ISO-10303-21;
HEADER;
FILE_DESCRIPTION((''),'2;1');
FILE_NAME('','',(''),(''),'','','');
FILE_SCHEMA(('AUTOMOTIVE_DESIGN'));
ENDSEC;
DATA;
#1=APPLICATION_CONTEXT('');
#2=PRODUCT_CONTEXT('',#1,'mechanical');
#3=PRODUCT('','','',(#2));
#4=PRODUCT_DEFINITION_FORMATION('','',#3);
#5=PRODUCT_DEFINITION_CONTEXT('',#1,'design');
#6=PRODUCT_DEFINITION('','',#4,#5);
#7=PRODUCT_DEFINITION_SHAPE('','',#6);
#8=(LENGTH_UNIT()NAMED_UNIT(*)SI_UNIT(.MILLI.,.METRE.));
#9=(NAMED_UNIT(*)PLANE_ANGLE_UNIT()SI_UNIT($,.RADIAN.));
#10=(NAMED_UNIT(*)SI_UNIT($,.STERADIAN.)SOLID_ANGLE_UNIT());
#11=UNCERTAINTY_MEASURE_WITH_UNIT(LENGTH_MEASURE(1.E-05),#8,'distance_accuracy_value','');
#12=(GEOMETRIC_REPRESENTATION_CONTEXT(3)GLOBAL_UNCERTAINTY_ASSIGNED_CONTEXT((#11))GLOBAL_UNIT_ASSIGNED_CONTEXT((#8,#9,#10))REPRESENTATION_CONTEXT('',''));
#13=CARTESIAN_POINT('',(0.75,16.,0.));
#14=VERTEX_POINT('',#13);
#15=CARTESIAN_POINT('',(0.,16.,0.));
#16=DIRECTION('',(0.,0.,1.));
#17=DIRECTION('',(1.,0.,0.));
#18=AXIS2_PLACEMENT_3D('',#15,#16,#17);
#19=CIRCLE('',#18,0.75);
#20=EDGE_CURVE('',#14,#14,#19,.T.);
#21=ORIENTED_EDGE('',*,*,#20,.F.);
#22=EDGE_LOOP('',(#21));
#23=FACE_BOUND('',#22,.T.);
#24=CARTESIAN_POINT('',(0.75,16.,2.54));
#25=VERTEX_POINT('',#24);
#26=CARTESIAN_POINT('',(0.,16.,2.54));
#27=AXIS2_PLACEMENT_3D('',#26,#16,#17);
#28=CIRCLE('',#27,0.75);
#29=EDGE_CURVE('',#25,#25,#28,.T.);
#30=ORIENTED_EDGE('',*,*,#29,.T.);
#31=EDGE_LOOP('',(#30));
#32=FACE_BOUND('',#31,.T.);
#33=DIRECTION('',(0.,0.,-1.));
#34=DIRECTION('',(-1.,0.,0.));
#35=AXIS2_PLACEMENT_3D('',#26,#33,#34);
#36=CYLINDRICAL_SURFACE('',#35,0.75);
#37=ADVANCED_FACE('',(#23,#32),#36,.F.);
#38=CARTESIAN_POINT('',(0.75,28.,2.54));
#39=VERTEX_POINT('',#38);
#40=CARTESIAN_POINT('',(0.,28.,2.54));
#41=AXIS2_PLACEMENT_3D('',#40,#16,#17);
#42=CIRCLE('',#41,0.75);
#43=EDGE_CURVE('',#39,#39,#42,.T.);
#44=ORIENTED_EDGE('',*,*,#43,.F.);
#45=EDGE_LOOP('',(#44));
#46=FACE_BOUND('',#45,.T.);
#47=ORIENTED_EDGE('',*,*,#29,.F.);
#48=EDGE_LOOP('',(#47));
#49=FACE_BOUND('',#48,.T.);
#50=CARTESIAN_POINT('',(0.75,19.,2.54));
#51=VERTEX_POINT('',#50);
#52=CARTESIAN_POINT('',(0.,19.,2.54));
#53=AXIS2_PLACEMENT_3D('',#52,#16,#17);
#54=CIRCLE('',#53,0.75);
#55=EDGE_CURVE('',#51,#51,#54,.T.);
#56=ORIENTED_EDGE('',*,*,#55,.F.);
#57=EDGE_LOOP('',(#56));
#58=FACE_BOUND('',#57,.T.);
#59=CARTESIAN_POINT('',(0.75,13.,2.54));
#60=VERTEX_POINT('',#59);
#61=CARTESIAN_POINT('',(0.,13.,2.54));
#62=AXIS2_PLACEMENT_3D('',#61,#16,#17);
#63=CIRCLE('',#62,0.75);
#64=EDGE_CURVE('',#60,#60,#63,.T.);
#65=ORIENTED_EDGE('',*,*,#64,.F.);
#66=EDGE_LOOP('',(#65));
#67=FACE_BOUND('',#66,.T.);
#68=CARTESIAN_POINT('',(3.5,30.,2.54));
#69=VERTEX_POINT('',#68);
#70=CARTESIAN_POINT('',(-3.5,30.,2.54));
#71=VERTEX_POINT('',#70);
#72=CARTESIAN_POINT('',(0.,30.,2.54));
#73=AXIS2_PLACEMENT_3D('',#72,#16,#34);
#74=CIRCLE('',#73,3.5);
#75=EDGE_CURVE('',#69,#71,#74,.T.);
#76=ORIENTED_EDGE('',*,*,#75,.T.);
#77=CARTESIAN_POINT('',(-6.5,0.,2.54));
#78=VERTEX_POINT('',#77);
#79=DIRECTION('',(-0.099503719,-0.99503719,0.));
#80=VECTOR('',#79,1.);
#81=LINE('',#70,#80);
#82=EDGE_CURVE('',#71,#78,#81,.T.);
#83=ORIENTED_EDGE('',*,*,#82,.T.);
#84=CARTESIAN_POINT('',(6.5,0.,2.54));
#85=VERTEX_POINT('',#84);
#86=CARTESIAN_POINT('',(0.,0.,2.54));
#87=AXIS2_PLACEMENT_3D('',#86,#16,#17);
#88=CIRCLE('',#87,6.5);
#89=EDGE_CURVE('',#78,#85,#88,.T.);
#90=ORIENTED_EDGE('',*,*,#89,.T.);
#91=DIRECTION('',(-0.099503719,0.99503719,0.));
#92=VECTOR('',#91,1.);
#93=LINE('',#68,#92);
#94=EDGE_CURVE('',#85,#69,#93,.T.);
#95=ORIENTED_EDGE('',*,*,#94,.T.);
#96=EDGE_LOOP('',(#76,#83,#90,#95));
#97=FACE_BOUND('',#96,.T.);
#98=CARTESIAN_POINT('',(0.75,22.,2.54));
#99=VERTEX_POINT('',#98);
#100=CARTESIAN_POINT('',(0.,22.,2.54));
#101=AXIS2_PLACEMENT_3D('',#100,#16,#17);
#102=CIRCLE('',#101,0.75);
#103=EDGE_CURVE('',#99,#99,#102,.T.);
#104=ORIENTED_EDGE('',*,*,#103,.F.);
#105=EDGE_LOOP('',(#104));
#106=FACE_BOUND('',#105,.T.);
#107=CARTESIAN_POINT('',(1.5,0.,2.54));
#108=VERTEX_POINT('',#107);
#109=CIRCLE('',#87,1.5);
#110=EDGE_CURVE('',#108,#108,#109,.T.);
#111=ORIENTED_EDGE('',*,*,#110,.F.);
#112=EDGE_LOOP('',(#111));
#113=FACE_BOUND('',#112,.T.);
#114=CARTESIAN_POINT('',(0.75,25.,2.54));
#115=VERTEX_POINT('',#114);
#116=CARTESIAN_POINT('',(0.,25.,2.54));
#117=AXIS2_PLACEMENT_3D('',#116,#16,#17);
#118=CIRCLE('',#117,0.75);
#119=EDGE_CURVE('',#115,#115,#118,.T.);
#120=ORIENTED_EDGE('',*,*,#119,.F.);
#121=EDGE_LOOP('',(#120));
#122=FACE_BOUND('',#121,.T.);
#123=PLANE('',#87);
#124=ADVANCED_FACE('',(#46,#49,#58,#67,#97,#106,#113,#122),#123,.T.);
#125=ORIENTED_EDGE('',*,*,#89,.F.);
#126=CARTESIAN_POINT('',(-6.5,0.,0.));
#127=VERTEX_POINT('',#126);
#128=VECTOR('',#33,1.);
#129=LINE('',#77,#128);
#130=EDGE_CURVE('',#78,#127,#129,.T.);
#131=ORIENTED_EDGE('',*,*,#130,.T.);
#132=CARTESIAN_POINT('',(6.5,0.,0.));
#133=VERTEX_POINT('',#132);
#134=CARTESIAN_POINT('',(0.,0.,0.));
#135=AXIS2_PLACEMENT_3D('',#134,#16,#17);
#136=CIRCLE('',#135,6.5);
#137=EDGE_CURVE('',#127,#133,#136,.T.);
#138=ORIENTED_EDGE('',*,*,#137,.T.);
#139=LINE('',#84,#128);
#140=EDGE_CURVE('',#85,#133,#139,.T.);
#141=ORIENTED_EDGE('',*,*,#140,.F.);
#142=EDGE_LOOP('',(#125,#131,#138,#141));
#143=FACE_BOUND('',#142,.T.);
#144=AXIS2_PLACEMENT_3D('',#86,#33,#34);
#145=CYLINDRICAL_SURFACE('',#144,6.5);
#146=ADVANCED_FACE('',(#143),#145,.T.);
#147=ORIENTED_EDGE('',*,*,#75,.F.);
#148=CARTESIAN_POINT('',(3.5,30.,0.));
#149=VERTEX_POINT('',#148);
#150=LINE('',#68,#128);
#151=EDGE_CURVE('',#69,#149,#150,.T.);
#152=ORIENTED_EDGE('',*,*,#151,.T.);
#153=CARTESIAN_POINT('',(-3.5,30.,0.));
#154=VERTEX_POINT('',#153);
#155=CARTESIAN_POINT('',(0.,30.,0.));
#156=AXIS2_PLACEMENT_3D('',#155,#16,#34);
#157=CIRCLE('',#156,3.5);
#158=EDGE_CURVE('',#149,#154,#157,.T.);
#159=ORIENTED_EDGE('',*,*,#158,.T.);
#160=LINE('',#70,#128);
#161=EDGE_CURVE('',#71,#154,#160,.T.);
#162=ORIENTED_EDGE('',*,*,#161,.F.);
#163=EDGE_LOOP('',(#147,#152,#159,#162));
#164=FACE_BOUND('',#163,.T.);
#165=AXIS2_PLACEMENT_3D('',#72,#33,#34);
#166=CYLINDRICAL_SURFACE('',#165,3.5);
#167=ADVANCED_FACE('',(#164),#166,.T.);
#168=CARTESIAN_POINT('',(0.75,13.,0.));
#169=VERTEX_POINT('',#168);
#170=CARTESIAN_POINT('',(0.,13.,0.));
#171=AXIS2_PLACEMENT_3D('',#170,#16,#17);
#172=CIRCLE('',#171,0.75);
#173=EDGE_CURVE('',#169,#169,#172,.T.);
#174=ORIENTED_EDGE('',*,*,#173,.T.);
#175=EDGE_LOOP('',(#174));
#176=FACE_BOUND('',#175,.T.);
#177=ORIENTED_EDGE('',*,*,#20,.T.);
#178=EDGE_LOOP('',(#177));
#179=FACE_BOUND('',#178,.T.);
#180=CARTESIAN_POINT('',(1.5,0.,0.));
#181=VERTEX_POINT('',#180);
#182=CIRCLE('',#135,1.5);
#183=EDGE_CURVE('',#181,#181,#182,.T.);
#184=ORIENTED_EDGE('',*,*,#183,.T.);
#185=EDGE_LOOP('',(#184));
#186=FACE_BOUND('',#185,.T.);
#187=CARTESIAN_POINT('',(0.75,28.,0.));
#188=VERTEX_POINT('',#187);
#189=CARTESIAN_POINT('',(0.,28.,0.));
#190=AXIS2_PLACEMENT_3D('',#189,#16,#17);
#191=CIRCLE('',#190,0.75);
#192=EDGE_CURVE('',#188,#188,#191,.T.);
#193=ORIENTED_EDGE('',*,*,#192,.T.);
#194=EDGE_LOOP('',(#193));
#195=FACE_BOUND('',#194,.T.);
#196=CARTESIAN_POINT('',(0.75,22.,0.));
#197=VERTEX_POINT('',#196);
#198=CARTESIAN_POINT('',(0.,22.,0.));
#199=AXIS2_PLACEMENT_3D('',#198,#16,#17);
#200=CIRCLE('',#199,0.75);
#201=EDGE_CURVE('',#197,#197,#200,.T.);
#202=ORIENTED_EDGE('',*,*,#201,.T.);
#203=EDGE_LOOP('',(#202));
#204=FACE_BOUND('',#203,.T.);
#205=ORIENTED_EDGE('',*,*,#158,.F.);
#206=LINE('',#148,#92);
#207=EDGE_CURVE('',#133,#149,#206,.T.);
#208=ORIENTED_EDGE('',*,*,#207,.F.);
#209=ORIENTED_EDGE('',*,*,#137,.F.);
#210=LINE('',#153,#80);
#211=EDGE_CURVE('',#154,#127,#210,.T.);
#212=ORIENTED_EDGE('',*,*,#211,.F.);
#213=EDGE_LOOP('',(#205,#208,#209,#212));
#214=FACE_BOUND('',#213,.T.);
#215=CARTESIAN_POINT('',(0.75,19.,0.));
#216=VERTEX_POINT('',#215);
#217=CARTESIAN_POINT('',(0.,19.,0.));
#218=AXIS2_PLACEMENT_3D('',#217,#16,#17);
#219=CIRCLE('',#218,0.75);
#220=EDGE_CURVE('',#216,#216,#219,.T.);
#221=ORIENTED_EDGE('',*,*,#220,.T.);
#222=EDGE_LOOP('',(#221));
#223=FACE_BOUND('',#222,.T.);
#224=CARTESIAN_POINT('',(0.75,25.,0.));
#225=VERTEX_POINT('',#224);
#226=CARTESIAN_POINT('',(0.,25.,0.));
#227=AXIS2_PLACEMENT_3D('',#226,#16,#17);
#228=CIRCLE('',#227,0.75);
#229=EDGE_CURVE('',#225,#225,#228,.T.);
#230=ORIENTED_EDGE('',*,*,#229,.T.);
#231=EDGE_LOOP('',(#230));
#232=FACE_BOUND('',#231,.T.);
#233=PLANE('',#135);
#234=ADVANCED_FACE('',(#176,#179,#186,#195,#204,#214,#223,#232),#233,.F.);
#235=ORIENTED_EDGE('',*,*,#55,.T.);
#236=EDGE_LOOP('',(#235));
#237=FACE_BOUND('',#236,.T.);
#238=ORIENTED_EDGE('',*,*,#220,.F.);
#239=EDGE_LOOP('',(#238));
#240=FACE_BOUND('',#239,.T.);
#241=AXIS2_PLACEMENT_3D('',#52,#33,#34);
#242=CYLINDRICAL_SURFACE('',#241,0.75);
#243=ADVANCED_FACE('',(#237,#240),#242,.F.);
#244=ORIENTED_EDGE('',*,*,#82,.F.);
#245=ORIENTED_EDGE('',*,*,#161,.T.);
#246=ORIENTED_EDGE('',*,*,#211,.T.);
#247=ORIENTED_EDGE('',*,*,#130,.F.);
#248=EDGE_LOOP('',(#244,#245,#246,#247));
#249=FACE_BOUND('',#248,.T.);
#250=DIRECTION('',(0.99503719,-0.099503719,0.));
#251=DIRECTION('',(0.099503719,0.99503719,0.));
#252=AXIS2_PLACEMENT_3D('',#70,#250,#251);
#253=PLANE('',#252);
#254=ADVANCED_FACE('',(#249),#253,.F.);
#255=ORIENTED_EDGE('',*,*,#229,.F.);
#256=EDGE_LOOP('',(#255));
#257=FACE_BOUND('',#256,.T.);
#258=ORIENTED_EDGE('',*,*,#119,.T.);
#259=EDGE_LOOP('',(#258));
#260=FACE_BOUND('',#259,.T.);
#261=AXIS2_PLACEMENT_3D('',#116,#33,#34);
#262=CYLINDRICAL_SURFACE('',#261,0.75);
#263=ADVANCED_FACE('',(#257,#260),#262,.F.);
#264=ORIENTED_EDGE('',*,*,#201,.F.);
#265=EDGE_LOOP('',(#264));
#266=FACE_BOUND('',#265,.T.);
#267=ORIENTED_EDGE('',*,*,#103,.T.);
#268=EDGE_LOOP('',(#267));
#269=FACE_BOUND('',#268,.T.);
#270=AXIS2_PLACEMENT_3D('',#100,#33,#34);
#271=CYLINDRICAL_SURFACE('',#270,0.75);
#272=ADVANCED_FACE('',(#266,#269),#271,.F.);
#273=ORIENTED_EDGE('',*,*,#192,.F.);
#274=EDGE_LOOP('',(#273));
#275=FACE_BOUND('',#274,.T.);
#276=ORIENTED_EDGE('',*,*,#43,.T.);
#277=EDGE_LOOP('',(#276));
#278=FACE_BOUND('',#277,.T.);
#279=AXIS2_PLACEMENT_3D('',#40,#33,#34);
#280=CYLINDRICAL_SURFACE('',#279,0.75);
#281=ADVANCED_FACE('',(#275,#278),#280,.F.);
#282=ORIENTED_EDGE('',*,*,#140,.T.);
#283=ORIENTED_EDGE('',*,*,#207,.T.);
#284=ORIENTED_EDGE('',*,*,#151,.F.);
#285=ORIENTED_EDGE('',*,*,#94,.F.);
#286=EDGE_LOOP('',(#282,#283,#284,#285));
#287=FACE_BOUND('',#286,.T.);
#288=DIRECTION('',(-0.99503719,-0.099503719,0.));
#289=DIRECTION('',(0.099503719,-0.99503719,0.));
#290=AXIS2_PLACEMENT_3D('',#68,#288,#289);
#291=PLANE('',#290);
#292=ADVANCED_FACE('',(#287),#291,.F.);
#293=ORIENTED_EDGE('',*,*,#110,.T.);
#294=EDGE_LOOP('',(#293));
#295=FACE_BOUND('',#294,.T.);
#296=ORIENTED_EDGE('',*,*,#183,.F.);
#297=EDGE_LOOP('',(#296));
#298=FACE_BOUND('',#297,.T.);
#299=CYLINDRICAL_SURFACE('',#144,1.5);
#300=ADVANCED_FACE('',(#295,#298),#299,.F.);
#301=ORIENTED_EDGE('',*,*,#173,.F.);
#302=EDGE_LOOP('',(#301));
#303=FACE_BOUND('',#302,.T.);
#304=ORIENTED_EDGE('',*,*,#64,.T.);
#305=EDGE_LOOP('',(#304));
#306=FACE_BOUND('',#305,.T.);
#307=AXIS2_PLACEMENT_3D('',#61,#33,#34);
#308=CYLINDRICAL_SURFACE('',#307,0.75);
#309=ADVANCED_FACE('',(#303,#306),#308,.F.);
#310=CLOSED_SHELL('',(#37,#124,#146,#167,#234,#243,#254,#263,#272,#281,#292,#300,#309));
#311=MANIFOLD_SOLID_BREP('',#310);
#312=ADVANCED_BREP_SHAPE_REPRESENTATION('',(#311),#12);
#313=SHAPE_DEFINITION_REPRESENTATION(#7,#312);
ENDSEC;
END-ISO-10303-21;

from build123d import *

# Parameters (mm, degrees)
ESQUISSE1_R        = 1.5
ESQUISSE1_R_2      = 0.75
BOSS_EXTRU_1_DEPTH = 2.54


with BuildPart() as part:
    # Esquisse1 → Boss.-Extru.1 (new body)
    with BuildSketch(Plane.XY):
        with BuildLine():
            Line((-3.5, 30), (-6.5, 0))
            ThreePointArc((-6.5, 0), (0, -6.5), (6.5, 0))
            Line((6.5, 0), (3.5, 30))
            ThreePointArc((3.5, 30), (0, 33.5), (-3.5, 30))
        make_face()
        Circle(ESQUISSE1_R, mode=Mode.SUBTRACT)
        with Locations((0, 13)):
            Circle(ESQUISSE1_R_2, mode=Mode.SUBTRACT)
        with Locations((0, 16)):
            Circle(ESQUISSE1_R_2, mode=Mode.SUBTRACT)
        with Locations((0, 19)):
            Circle(ESQUISSE1_R_2, mode=Mode.SUBTRACT)
        with Locations((0, 22)):
            Circle(ESQUISSE1_R_2, mode=Mode.SUBTRACT)
        with Locations((0, 25)):
            Circle(ESQUISSE1_R_2, mode=Mode.SUBTRACT)
        with Locations((0, 28)):
            Circle(ESQUISSE1_R_2, mode=Mode.SUBTRACT)
    extrude(amount=BOSS_EXTRU_1_DEPTH)


solid = part.part
